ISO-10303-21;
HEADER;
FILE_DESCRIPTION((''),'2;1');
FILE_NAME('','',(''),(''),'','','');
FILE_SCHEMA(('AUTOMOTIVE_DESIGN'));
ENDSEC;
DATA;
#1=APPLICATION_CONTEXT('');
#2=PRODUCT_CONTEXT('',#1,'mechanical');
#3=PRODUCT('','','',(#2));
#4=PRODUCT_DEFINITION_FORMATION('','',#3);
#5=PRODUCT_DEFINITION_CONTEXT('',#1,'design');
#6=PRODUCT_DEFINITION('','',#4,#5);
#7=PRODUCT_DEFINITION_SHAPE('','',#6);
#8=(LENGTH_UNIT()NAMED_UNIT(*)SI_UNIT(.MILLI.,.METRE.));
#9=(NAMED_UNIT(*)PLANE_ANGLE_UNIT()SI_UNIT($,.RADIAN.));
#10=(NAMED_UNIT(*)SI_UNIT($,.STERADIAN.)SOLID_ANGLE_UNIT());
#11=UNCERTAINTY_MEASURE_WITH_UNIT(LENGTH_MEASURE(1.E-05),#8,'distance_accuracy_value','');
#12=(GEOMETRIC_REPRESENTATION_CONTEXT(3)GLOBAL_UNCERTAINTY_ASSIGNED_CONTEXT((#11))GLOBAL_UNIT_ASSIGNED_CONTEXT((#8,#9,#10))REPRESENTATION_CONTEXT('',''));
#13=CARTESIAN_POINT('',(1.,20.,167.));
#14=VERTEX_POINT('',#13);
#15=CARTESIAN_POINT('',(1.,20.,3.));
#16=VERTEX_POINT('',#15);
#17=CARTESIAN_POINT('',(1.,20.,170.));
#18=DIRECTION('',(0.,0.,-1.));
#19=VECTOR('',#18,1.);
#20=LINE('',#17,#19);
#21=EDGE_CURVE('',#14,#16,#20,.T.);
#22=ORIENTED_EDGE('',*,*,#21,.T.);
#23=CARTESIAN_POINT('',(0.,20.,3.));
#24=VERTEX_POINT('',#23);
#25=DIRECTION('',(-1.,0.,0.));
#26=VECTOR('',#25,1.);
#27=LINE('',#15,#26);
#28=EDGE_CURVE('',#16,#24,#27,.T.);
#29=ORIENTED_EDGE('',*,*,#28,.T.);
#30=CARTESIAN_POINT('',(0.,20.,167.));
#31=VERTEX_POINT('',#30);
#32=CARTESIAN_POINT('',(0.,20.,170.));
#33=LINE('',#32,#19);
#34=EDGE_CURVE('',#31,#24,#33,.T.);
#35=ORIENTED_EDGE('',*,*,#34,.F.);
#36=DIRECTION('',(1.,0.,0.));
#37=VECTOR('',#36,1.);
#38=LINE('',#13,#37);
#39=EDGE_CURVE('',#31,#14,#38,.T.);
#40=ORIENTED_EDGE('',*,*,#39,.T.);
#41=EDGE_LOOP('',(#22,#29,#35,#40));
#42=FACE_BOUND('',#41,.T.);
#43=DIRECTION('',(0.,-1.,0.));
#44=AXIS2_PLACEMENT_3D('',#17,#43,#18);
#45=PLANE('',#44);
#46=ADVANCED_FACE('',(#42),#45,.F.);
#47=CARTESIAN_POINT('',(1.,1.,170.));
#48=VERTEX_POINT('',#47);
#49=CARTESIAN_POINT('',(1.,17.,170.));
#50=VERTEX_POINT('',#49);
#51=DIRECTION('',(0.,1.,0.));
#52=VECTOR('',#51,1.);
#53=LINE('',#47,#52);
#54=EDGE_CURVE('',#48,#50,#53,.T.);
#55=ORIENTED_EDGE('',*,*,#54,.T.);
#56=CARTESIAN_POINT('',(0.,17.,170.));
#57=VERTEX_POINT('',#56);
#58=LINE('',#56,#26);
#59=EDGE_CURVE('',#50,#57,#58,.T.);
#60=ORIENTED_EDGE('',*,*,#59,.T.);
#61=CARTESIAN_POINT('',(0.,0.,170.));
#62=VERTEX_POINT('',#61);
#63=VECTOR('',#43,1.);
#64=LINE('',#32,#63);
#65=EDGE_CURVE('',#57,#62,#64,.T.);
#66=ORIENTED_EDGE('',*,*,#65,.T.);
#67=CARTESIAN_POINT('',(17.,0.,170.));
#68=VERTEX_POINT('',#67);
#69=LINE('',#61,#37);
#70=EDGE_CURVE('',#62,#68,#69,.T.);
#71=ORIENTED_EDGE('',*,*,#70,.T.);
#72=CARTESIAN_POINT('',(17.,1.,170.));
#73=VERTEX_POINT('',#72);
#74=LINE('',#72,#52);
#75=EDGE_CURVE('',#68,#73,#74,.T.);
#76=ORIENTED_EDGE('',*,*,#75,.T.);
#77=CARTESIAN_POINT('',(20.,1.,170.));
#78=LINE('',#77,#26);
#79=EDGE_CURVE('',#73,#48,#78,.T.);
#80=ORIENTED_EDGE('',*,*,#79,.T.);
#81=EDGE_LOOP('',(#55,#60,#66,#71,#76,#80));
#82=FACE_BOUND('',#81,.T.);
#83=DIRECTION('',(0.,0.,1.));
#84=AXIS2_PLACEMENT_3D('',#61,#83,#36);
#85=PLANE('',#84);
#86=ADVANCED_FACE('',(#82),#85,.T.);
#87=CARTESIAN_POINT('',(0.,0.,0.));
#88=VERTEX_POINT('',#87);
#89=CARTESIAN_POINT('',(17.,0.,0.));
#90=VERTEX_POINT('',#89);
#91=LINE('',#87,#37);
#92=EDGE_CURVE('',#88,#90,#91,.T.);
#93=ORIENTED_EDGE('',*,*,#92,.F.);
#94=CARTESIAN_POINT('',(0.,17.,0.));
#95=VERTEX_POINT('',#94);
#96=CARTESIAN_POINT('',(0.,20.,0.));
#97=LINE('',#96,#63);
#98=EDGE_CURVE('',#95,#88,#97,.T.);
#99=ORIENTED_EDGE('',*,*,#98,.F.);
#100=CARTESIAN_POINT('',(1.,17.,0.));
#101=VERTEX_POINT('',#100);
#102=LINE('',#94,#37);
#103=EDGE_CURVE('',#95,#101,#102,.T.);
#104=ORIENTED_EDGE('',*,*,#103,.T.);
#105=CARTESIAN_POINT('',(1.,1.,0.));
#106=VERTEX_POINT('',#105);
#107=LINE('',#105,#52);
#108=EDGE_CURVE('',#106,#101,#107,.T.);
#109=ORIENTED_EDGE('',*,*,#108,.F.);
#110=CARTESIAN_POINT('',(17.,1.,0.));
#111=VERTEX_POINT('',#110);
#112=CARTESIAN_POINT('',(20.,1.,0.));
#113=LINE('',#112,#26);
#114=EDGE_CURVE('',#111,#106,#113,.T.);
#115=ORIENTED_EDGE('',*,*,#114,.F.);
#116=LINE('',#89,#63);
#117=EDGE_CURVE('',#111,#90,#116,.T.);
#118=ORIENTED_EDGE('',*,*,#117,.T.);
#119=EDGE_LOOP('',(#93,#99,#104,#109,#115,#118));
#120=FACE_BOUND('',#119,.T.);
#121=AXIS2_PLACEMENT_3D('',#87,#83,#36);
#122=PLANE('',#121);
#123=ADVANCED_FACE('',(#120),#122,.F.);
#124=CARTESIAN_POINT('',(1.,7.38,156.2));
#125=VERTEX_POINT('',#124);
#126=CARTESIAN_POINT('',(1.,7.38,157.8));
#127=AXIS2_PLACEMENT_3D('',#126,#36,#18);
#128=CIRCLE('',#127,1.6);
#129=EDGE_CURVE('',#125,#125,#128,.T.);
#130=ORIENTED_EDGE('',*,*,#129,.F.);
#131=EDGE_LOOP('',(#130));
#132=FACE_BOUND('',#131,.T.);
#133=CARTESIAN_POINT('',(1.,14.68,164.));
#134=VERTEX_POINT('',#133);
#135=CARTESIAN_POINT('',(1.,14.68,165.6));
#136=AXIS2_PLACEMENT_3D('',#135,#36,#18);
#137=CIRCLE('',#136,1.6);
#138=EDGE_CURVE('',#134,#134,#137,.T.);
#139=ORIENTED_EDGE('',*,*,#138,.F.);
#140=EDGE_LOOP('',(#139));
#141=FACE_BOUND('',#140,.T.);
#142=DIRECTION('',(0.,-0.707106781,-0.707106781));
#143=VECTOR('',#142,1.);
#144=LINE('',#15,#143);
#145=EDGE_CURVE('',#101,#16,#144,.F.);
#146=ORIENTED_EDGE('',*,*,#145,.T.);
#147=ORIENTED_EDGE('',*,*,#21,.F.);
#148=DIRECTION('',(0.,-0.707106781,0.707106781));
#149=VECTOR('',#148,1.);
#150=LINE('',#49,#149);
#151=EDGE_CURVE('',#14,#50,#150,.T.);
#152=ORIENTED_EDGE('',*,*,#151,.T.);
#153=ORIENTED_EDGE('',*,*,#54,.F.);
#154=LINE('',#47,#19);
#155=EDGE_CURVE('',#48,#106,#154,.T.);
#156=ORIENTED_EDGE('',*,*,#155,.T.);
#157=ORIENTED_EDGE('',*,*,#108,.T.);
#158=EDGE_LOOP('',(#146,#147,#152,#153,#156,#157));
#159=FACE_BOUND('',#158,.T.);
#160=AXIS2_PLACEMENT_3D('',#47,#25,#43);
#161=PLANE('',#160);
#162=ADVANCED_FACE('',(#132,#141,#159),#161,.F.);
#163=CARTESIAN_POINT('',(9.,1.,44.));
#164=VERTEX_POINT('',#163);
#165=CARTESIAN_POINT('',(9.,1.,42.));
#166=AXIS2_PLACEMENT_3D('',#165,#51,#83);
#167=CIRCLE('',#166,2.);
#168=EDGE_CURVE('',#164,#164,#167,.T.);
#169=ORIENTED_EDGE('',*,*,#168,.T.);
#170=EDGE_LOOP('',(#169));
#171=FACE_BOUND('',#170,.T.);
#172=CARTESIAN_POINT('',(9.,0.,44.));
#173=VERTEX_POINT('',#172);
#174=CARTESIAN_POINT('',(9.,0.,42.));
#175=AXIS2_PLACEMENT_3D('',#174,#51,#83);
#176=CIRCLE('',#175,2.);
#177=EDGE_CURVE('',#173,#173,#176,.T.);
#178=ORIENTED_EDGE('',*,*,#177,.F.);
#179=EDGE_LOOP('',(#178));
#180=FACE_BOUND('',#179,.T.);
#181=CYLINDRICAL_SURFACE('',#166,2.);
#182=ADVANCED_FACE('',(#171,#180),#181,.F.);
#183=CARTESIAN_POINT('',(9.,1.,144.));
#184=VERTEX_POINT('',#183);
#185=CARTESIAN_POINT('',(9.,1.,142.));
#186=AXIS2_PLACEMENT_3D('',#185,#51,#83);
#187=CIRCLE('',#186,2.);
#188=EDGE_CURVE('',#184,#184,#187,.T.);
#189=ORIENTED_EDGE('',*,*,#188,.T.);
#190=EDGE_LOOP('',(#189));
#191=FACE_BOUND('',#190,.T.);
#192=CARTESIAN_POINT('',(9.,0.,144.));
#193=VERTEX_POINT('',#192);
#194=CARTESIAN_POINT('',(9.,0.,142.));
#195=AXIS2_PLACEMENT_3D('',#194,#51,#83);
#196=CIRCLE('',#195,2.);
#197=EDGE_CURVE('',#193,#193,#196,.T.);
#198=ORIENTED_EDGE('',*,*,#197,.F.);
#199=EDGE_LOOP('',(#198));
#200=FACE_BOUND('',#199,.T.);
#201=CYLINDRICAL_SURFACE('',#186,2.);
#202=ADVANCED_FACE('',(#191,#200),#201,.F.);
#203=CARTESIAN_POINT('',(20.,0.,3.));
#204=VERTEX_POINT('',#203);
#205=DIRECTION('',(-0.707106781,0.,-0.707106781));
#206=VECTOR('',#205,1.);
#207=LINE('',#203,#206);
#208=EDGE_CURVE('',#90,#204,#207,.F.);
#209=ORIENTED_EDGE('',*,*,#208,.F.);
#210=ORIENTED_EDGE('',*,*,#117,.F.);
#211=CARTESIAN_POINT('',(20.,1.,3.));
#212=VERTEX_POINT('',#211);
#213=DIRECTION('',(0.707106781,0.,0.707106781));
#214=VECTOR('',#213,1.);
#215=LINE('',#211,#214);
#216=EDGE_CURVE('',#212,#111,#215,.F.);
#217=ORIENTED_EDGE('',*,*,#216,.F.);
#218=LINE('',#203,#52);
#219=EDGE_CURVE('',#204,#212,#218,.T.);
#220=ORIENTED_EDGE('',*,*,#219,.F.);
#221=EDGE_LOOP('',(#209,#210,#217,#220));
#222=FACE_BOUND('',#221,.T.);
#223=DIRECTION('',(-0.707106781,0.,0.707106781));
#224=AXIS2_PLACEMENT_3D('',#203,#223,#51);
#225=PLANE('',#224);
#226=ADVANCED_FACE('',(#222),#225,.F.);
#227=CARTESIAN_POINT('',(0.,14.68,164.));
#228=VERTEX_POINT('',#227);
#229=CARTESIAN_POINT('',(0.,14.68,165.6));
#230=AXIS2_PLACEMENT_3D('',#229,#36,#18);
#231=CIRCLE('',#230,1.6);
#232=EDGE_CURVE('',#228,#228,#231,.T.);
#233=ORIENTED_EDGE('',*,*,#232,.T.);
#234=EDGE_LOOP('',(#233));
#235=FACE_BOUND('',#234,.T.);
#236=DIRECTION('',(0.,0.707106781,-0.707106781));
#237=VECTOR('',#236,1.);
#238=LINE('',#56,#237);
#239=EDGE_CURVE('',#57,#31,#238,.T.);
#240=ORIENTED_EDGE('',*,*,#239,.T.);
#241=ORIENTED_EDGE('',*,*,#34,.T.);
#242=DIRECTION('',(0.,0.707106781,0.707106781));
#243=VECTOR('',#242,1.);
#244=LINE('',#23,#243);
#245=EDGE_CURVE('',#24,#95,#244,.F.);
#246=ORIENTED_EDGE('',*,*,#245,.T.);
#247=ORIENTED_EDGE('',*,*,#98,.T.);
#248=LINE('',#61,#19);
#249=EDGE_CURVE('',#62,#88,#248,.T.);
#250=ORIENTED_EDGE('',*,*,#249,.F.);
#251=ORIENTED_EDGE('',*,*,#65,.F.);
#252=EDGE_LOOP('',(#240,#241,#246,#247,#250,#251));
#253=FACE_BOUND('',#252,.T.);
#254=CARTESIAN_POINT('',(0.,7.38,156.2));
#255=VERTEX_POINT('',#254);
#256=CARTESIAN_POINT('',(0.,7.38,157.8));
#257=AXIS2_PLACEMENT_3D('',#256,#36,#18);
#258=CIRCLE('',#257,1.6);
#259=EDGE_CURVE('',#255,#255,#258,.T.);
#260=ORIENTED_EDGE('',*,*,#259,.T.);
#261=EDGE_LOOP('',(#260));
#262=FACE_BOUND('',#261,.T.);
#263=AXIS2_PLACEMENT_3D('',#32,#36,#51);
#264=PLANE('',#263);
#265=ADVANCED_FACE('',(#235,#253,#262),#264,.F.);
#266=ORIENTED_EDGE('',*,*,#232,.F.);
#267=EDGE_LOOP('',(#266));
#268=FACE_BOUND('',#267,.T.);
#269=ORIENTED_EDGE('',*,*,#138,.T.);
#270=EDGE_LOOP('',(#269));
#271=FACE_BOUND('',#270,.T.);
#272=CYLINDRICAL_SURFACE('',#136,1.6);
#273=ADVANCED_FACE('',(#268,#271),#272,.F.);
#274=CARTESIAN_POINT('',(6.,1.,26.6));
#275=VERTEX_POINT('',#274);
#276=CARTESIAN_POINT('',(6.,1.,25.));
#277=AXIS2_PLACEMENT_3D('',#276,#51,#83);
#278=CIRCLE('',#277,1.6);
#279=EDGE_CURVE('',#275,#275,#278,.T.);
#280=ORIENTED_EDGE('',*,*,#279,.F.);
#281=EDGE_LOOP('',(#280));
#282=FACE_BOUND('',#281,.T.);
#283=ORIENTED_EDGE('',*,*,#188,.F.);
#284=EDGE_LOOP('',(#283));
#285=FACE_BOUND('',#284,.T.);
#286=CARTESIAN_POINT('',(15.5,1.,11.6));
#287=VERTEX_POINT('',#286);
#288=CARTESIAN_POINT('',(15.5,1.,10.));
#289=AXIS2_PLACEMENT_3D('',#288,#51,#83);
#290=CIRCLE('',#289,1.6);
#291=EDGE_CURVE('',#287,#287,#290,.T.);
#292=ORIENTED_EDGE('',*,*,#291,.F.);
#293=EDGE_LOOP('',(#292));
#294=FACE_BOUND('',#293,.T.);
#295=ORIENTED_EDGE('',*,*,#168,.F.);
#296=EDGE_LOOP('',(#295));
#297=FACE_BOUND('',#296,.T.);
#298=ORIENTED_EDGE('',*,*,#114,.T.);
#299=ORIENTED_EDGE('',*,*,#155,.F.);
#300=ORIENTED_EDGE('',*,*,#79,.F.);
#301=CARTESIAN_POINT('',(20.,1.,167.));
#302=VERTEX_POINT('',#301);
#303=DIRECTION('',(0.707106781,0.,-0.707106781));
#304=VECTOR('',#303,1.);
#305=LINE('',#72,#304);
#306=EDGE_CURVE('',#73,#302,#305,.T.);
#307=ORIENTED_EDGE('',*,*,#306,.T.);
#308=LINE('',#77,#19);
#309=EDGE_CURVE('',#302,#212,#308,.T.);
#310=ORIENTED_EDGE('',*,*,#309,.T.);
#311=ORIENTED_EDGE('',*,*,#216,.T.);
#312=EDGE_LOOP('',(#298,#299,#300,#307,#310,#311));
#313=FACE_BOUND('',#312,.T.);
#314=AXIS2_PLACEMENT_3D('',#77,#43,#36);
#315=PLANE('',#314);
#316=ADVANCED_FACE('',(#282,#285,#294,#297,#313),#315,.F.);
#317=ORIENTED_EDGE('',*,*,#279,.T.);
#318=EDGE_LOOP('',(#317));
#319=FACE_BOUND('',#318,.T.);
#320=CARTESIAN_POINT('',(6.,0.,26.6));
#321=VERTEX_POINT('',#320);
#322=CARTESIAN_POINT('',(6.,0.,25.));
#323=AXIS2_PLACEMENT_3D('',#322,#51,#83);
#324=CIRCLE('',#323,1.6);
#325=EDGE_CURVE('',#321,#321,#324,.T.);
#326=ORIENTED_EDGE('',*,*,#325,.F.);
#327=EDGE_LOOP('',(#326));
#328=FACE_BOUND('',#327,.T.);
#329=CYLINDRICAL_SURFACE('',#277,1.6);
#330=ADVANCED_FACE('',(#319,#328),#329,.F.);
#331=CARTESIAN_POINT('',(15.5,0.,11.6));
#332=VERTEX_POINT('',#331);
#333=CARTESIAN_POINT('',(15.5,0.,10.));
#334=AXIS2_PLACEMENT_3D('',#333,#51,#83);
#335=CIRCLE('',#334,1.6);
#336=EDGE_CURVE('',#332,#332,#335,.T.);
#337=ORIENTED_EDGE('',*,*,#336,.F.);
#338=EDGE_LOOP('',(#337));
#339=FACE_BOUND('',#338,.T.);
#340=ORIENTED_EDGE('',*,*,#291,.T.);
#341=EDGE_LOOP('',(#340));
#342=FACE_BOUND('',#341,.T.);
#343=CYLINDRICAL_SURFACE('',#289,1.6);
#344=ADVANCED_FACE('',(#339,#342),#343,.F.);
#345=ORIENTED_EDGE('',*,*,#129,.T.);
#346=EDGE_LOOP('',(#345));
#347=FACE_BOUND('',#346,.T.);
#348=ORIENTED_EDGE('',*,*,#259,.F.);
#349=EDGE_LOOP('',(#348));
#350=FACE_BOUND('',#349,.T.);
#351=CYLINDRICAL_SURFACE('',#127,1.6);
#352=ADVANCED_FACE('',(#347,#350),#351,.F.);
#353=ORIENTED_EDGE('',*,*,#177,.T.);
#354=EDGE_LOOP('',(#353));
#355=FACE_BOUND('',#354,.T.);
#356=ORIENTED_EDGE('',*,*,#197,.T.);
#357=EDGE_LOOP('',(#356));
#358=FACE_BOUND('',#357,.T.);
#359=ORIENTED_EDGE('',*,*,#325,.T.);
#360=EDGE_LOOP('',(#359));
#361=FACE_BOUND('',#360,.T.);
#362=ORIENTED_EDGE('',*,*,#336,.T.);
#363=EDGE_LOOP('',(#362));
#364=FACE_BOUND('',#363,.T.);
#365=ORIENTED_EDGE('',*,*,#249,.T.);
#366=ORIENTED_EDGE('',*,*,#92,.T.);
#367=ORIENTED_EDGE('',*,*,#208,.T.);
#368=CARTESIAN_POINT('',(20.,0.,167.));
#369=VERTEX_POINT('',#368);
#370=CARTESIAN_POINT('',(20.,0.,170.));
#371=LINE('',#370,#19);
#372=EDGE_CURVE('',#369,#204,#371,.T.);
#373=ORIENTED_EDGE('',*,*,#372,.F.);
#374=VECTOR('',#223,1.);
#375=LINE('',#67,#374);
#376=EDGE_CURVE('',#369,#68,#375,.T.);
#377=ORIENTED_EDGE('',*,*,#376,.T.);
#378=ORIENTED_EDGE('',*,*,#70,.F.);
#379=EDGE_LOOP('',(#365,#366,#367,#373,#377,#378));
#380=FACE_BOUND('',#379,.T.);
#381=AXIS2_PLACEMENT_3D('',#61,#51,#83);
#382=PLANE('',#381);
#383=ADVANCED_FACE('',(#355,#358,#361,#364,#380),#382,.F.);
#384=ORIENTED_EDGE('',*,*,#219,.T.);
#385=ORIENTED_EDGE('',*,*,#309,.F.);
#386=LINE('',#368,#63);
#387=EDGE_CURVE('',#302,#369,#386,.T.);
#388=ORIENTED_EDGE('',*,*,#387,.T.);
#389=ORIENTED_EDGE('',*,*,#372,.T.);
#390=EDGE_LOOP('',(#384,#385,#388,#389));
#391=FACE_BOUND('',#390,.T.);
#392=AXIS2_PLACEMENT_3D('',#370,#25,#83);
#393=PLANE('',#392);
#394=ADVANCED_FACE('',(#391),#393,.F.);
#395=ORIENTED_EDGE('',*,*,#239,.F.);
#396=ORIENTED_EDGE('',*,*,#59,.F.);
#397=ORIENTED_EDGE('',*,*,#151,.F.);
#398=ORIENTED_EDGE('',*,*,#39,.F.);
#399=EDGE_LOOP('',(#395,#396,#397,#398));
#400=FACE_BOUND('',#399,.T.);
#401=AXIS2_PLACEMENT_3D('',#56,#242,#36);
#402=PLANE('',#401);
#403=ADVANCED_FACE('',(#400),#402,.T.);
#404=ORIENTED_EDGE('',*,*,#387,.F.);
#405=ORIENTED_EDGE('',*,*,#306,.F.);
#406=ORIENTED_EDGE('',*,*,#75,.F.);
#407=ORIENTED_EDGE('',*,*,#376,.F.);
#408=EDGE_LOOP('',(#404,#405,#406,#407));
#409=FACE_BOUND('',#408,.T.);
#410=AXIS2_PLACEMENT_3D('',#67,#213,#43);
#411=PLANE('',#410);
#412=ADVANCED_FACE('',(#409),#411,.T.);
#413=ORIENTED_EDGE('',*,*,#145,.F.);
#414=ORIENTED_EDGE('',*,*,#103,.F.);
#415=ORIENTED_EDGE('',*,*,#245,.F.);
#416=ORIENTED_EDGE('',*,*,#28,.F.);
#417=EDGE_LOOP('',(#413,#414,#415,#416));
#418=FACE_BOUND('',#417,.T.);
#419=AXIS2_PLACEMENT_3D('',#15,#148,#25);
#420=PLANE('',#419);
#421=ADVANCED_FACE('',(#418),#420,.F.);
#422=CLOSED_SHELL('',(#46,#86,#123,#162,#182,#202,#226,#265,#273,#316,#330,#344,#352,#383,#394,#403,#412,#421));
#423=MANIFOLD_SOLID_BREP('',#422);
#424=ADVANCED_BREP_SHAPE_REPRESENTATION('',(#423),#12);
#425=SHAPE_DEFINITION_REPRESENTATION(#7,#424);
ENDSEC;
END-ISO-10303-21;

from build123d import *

# Parameters (mm, degrees)
BASE_DEPTH                      = 170
CHAMFEREDGES_SIZE               = 3
F_4_0_4_CABLE_TIE_HOLES_D       = 4
F_3_1_3_1_CABLECHAINSIDEHOLES_D = 3.2
F_3_2_3_2_CARRIAGESIDE_D        = 3.2


with BuildPart() as part:
    # Sketch1 → Base (new body)
    with BuildSketch(Plane.XY):
        Polygon((0, 0), (20, 0), (20, 1), (1, 1), (1, 20), (0, 20), align=None)
    extrude(amount=BASE_DEPTH)

    # ChamferEdges
    chamferedges_edges = [part.edges().sort_by_distance(p)[0] for p in [
        (20, 0.5, 170),
        (0.5, 20, 170),
        (0.5, 20, 0),
        (20, 0.5, 0),
    ]]
    chamfer(chamferedges_edges, length=CHAMFEREDGES_SIZE)

    # Ø4.0 (4) Cable tie Holes (through all)
    with Locations(Plane(origin=(0, 1, 0), x_dir=(1, 0, 0), z_dir=(0, 1, 0))):
        with Locations((9, -42), (9, -142)):
            Hole(F_4_0_4_CABLE_TIE_HOLES_D / 2)

    # Ø3.1 (3.1) CableChainSideHoles (through all)
    with Locations(Plane(origin=(1, 0, 0), x_dir=(0, 0, -1), z_dir=(1, 0, 0))):
        with Locations((-165.6, 14.68), (-157.8, 7.38)):
            Hole(F_3_1_3_1_CABLECHAINSIDEHOLES_D / 2)

    # Ø3.2 (3.2) CarriageSide (through all)
    with Locations(Plane(origin=(0, 1, 0), x_dir=(1, 0, 0), z_dir=(0, 1, 0))):
        with Locations((15.5, -10), (6, -25)):
            Hole(F_3_2_3_2_CARRIAGESIDE_D / 2)


solid = part.part
